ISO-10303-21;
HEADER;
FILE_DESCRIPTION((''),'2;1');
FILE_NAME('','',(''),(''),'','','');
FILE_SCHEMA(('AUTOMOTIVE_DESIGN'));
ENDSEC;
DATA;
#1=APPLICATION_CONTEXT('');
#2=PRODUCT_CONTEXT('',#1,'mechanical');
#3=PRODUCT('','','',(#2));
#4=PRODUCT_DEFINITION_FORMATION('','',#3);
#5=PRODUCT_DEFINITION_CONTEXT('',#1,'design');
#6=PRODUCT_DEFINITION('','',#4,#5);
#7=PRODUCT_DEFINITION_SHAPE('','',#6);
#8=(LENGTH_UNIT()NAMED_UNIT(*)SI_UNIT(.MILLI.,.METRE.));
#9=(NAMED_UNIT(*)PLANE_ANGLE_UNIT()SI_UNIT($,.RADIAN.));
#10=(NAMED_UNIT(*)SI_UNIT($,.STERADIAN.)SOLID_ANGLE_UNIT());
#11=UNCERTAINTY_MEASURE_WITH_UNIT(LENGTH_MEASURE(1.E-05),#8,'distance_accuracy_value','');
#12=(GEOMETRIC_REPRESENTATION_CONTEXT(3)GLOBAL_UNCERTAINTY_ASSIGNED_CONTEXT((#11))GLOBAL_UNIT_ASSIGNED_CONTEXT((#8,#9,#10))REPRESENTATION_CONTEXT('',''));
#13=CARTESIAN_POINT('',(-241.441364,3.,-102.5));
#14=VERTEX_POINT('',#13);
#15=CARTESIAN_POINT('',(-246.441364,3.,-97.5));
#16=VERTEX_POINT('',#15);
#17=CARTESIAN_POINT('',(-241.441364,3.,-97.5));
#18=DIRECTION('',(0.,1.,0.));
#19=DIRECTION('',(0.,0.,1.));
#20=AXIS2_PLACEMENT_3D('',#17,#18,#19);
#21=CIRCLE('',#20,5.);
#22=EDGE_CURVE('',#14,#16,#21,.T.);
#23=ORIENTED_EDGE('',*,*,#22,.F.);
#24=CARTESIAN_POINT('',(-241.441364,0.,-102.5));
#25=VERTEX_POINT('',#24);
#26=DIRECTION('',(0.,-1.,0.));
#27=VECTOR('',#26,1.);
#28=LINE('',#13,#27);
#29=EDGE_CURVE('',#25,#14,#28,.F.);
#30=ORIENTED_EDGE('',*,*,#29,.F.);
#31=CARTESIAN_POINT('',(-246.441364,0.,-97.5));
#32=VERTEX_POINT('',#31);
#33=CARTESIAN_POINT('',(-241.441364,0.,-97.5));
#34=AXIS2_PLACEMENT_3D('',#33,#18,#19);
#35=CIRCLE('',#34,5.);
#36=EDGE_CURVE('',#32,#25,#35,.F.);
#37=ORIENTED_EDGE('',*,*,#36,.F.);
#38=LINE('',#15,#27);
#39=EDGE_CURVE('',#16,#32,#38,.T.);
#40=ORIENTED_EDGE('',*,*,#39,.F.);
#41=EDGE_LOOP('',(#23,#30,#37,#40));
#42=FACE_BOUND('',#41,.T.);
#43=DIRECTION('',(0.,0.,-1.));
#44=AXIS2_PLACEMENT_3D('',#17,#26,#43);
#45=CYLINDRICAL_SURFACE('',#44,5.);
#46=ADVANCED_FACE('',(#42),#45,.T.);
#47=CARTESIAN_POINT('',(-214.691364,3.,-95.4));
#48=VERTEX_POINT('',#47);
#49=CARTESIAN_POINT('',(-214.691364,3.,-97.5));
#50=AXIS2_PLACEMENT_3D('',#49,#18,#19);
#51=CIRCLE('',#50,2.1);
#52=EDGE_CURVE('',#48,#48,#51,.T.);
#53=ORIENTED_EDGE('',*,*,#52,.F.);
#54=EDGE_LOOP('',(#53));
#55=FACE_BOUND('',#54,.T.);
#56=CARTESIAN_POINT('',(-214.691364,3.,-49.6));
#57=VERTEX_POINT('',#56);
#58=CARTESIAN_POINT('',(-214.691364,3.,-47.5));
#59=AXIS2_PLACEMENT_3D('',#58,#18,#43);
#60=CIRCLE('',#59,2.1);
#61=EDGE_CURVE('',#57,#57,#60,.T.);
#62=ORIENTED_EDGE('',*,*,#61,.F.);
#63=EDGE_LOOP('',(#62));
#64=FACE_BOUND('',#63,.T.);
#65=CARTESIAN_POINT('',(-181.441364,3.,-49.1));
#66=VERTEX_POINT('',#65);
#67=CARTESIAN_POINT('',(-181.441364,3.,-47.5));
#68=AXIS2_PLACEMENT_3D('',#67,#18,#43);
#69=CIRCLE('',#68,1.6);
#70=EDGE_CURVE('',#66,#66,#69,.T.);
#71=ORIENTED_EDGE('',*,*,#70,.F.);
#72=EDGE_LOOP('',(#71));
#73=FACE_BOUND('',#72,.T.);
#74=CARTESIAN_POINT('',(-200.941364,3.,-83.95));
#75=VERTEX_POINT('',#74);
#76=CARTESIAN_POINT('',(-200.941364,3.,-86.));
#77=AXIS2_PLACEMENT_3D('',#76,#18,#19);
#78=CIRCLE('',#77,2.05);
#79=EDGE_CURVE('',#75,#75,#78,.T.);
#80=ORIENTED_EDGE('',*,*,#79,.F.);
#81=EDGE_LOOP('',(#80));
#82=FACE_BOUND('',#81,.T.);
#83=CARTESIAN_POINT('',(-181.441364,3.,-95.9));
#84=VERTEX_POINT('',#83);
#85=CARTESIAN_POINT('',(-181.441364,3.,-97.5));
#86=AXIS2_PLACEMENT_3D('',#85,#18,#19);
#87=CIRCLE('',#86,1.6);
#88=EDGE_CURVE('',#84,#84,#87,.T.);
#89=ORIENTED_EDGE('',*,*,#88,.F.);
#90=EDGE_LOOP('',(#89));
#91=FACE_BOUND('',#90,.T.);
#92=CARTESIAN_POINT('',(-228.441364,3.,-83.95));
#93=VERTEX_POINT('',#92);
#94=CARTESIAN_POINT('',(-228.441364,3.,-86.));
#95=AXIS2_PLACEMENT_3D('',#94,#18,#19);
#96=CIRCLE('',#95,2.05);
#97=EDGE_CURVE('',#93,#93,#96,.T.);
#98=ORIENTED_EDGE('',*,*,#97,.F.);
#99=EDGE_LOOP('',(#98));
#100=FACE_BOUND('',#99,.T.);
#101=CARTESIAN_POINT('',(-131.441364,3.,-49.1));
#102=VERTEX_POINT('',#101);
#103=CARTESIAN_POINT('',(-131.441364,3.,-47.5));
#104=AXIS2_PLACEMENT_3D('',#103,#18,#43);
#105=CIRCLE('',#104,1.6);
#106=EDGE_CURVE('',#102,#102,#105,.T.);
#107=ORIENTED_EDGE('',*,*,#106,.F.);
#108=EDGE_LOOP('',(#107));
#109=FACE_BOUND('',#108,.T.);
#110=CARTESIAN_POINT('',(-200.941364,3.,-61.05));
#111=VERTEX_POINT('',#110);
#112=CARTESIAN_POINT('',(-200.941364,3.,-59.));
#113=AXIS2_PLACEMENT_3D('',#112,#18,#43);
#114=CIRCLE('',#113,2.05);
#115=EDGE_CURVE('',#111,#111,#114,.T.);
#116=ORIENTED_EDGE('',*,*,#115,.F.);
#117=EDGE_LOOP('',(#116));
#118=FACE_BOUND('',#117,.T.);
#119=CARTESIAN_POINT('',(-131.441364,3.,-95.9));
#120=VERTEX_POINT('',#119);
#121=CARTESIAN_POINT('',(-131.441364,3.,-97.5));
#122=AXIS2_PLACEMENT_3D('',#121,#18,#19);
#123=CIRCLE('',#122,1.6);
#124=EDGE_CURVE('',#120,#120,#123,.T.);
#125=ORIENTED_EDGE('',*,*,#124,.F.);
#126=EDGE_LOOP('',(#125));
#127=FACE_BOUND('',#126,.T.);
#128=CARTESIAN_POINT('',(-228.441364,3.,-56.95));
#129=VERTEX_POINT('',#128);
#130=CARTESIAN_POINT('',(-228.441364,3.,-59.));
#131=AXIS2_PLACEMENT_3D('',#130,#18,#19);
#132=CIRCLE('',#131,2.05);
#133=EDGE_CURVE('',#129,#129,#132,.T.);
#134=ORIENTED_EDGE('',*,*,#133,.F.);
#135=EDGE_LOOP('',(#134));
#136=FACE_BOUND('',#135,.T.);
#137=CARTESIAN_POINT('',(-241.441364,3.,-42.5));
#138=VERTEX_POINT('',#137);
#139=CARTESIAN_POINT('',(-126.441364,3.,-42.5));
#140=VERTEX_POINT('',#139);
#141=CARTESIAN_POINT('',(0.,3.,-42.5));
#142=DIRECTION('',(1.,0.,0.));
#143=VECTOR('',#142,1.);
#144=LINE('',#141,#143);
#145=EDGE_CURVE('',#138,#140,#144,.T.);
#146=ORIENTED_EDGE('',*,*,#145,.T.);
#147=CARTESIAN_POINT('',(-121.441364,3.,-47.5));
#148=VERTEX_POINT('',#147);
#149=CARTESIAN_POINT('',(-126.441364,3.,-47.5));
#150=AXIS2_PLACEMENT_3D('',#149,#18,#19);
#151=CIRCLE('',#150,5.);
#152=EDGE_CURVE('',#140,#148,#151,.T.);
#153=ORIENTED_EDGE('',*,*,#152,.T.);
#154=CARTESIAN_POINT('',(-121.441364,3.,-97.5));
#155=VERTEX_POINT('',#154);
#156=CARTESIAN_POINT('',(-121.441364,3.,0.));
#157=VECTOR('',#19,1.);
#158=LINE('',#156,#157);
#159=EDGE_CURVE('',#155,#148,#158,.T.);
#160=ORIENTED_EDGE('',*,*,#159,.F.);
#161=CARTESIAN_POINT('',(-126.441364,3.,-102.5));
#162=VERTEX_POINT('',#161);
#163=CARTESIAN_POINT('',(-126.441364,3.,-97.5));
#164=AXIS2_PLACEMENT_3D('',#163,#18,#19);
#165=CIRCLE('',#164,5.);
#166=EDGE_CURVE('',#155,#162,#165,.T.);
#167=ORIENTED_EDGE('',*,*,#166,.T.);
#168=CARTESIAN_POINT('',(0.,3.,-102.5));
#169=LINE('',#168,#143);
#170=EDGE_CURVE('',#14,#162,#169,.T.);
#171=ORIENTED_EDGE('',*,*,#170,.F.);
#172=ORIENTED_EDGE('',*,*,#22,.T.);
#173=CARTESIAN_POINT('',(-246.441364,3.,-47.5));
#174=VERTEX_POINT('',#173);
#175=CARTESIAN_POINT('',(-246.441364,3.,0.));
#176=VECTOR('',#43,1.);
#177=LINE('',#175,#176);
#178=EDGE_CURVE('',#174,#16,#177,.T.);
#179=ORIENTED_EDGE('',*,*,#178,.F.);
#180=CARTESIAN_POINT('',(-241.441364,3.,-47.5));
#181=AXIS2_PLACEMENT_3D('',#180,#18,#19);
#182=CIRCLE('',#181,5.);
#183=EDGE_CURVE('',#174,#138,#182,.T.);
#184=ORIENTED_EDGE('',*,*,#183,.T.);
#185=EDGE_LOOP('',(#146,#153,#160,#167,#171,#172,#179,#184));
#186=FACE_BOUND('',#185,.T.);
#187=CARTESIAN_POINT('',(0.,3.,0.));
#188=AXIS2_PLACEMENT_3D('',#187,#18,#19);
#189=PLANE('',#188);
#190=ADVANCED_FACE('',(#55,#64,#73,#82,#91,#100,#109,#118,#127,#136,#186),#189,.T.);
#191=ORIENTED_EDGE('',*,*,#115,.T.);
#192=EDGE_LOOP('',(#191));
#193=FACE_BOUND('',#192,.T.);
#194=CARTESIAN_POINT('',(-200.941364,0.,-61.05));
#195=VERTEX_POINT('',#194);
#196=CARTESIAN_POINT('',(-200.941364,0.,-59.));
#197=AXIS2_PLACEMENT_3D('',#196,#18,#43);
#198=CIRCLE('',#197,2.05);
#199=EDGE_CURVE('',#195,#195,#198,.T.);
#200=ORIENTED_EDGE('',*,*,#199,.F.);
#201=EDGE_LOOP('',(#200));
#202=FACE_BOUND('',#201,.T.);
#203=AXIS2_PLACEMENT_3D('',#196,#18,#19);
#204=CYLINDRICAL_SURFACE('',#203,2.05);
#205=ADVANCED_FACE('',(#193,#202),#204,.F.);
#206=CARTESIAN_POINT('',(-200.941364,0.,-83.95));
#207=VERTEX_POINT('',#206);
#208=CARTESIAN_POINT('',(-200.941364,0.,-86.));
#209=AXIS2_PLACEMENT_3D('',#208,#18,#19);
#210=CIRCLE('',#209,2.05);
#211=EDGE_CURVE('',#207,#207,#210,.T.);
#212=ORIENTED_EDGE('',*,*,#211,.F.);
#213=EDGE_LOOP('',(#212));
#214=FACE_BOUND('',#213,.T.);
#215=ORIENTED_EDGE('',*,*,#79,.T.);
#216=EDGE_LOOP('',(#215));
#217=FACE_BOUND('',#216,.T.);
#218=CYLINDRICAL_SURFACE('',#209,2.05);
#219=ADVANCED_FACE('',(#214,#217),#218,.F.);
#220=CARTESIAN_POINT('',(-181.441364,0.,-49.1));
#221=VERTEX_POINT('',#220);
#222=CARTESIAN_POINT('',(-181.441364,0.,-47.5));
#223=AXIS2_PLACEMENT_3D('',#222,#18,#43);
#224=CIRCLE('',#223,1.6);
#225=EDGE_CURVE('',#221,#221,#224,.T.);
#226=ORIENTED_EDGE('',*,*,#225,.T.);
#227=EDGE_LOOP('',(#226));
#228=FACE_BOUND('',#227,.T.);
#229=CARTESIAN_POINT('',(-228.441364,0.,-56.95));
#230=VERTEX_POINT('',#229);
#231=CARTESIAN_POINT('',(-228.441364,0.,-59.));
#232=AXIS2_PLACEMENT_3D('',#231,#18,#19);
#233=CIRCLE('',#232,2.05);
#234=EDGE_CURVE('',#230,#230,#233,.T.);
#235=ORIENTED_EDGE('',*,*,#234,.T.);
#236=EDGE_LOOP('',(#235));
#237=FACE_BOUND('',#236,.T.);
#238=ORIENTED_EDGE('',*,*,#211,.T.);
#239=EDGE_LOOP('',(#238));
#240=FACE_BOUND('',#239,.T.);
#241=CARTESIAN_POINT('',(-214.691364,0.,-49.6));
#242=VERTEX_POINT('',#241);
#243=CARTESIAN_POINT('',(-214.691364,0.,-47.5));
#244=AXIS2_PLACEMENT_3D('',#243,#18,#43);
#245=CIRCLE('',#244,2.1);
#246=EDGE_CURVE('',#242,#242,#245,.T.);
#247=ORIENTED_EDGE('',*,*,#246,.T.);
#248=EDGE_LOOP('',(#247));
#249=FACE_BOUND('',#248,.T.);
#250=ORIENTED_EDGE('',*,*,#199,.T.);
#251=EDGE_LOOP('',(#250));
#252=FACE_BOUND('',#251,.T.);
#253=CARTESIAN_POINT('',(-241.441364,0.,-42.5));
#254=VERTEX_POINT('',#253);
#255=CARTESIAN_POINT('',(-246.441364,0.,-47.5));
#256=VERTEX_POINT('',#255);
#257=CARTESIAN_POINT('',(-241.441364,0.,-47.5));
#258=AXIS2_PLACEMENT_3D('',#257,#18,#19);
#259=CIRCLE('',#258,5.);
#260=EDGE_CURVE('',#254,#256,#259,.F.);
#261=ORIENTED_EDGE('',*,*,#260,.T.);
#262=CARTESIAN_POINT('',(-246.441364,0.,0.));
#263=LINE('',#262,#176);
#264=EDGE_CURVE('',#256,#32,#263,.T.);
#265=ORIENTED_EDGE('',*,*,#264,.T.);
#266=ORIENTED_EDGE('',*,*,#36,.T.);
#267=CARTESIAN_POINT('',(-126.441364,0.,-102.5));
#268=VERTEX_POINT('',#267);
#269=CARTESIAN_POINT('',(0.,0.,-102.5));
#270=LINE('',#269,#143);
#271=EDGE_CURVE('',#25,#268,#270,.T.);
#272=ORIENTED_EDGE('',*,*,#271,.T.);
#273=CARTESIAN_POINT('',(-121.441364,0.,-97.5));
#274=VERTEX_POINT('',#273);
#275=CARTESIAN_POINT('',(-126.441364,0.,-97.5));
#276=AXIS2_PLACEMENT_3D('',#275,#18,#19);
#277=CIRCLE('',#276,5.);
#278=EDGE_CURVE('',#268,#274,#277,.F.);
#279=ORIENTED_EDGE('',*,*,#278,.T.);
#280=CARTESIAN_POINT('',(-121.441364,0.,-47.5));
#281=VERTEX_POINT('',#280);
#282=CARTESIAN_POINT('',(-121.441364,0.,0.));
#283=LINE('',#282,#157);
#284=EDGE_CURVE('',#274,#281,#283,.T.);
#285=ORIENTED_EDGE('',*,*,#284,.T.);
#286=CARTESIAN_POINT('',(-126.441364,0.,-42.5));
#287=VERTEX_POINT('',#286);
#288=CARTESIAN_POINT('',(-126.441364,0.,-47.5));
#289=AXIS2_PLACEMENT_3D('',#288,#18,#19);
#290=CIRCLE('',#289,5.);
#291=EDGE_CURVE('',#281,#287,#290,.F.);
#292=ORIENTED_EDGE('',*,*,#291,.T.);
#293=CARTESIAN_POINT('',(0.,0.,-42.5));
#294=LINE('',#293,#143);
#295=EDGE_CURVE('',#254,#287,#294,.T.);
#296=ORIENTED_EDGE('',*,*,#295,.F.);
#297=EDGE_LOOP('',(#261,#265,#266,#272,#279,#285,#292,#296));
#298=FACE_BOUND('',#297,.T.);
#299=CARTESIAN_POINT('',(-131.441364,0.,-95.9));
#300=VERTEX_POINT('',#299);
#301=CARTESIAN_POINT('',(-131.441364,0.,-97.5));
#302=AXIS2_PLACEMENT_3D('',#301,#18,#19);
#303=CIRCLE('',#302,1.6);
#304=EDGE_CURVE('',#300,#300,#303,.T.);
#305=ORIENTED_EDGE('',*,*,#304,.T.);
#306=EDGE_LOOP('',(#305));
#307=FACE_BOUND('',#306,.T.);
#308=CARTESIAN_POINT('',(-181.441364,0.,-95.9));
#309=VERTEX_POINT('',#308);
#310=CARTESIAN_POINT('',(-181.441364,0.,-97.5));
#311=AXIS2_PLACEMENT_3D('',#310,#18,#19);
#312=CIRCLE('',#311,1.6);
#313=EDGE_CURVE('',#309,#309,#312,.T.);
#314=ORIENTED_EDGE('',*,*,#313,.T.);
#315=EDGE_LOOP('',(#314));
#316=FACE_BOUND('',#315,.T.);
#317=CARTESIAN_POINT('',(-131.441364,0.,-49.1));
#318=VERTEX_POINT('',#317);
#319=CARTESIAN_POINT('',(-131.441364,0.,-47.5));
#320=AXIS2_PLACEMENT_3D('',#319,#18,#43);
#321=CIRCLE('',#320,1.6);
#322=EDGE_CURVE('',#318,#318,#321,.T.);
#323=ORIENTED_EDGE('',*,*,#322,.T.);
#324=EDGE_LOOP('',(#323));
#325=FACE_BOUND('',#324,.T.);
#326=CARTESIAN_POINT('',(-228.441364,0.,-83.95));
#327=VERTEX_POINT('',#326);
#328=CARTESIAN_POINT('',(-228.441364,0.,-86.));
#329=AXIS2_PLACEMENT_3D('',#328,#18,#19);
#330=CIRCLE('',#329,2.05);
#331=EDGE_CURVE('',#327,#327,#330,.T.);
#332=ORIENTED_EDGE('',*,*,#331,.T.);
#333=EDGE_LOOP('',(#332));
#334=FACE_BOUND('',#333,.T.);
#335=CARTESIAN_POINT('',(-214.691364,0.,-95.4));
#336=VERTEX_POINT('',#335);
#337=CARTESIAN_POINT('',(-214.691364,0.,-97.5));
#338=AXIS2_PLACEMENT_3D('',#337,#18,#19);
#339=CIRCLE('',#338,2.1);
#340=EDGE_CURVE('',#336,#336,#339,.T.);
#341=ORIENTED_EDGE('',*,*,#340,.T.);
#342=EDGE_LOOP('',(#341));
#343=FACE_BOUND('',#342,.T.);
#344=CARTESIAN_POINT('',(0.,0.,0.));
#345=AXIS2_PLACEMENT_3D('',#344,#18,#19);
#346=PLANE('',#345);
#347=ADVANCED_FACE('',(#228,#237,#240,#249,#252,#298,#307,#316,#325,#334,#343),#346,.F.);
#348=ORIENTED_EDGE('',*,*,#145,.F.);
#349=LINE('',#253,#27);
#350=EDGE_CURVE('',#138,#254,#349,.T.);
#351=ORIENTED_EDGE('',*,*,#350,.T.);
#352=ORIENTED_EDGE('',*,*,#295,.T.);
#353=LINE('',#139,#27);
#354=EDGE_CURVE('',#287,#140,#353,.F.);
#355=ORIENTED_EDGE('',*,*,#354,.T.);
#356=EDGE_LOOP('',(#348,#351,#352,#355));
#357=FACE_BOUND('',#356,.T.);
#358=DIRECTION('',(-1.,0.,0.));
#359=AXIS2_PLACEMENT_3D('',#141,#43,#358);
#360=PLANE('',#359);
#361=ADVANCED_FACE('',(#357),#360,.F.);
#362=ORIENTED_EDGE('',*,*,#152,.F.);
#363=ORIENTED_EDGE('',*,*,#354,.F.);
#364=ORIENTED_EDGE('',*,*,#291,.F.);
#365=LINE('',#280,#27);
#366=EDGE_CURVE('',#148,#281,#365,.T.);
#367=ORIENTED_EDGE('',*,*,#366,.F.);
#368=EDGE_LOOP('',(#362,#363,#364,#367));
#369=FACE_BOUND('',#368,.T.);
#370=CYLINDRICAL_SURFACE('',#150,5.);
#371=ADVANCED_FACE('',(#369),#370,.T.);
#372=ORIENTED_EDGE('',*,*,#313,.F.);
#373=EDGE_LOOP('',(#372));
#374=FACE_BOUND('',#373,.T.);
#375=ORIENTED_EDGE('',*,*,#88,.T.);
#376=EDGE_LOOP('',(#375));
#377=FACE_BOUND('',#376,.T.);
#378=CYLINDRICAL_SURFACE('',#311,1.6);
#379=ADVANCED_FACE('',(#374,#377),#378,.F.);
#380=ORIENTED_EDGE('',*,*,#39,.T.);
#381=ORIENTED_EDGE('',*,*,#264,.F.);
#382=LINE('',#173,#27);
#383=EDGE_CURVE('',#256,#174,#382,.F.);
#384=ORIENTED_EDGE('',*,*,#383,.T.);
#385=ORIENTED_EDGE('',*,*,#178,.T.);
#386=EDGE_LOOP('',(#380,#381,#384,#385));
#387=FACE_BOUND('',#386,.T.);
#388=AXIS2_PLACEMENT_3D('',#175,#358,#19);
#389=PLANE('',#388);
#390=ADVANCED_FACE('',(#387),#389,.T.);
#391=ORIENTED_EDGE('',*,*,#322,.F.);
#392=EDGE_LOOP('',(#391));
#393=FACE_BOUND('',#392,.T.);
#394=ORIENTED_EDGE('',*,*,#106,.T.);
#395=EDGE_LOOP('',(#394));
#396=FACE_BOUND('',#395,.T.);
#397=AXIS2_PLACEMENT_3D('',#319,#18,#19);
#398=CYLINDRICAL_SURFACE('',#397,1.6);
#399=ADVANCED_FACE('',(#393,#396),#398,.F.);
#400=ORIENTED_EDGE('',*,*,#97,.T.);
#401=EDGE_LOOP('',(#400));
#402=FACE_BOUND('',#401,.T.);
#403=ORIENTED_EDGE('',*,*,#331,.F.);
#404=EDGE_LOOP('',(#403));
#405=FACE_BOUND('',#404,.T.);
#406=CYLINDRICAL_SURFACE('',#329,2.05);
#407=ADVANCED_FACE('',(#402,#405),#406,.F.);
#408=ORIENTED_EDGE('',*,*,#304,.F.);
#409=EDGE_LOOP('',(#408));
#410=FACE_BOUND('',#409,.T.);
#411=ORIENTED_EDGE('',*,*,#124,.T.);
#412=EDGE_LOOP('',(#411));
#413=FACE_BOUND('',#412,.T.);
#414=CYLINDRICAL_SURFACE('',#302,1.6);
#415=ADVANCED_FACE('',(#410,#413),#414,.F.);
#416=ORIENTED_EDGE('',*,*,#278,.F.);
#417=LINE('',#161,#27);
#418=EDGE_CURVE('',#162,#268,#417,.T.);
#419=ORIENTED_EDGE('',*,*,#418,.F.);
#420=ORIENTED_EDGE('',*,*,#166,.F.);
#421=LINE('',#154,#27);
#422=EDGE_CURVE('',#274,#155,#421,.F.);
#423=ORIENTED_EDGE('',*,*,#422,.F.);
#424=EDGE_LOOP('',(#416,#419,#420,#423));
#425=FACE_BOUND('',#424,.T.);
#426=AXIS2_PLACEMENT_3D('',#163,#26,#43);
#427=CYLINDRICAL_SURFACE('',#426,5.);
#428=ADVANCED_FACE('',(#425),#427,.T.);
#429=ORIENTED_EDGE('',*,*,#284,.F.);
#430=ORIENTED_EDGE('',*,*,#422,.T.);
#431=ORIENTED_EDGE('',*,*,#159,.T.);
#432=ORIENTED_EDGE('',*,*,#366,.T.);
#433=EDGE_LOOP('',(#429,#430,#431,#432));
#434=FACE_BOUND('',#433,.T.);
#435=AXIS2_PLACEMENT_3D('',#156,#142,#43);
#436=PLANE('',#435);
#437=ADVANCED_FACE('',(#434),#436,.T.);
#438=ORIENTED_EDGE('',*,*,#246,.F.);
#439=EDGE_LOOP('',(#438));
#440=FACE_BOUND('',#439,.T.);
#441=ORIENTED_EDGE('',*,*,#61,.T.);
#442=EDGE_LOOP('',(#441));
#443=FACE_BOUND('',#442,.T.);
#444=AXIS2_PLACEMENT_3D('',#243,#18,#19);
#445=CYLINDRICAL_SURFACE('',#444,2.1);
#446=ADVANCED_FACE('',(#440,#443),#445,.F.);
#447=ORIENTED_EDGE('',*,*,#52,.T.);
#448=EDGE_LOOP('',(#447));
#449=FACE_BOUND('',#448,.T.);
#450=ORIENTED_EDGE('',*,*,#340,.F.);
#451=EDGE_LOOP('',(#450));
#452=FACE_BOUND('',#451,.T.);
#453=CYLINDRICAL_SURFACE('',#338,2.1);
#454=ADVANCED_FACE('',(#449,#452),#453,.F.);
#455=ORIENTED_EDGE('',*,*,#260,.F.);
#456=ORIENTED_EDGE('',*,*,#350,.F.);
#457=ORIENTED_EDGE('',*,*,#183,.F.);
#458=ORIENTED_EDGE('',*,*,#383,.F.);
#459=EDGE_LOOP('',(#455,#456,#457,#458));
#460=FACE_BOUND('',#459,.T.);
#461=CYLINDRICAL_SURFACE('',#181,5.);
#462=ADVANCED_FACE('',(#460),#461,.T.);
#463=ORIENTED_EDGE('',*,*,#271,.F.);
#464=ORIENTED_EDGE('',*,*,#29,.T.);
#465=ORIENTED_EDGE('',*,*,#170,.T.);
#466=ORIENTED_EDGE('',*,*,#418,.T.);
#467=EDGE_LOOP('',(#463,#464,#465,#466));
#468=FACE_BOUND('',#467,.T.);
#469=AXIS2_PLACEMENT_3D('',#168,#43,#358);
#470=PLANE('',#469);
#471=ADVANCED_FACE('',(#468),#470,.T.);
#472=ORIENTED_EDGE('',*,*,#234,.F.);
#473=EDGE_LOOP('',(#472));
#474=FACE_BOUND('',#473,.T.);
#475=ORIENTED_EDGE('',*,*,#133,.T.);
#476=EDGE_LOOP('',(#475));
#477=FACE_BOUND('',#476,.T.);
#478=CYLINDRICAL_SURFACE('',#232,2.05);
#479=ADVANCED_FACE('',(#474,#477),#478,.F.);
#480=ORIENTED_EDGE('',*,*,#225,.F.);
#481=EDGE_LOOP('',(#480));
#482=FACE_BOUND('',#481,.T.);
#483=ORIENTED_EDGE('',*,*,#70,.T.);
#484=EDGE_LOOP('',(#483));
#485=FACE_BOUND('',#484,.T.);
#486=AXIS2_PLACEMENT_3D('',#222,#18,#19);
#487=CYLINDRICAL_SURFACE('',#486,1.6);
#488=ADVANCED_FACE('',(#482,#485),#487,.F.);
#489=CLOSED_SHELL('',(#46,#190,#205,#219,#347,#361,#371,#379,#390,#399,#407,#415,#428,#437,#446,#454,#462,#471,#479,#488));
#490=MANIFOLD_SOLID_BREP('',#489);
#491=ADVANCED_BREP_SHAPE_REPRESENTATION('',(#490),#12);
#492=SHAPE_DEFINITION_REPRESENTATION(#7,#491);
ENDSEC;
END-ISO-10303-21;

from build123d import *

# Parameters (mm, degrees)
SKETCH_1_W          = 125
SKETCH_1_H          = 60
EXTRUDE_1_DEPTH     = 3
SKETCH_2_R          = 2.05
SKETCH_2_R_2        = 2.1
CUT_EXTRUDE_1_DEPTH = 267.924326413
SKETCH_3_R          = 1.6
CUT_EXTRUDE_2_DEPTH = 267.924326413
FILLET_1_R          = 5


with BuildPart() as part:
    # 草图1 → 凸台-拉伸1 (new body)
    with BuildSketch(Plane(origin=(0, 0, 0), x_dir=(1, 0, 0), z_dir=(0, 1, 0))):
        with Locations((-183.941364286, 72.5)):
            Rectangle(SKETCH_1_W, SKETCH_1_H)
    extrude(amount=EXTRUDE_1_DEPTH)

    # 草图2 → 切除-拉伸1 (cut, through all)
    with BuildSketch(Plane(origin=(0, 3, 0), x_dir=(1, 0, 0), z_dir=(0, 1, 0))):
        with Locations(Location((-228.441364286, 86, 0), (0, 0, 270))):
            Circle(SKETCH_2_R)
        with Locations(Location((-228.441364286, 59, 0), (0, 0, 270))):
            Circle(SKETCH_2_R)
        with Locations(Location((-200.941364286, 86, 0), (0, 0, 270))):
            Circle(SKETCH_2_R)
        with Locations(Location((-200.941364286, 59, 0), (0, 0, 90))):
            Circle(SKETCH_2_R)
        with Locations(Location((-214.691364286, 97.5, 0), (0, 0, 270))):
            Circle(SKETCH_2_R_2)
        with Locations(Location((-214.691364286, 47.5, 0), (0, 0, 90))):
            Circle(SKETCH_2_R_2)
    extrude(amount=-CUT_EXTRUDE_1_DEPTH, mode=Mode.SUBTRACT)

    # 草图3 → 切除-拉伸2 (cut, through all)
    with BuildSketch(Plane(origin=(0, 3, 0), x_dir=(1, 0, 0), z_dir=(0, 1, 0))):
        with Locations(Location((-181.441364286, 97.5, 0), (0, 0, 270))):
            Circle(SKETCH_3_R)
        with Locations(Location((-131.441364286, 97.5, 0), (0, 0, 270))):
            Circle(SKETCH_3_R)
        with Locations(Location((-131.441364286, 47.5, 0), (0, 0, 90))):
            Circle(SKETCH_3_R)
        with Locations(Location((-181.441364286, 47.5, 0), (0, 0, 90))):
            Circle(SKETCH_3_R)
    extrude(amount=-CUT_EXTRUDE_2_DEPTH, mode=Mode.SUBTRACT)

    # 圆角1
    fillet_1_edges = [part.edges().sort_by_distance(p)[0] for p in [
        (-121.441364286, 1.5, -42.5),
        (-246.441364286, 1.5, -42.5),
        (-246.441364286, 1.5, -102.5),
        (-121.441364286, 1.5, -102.5),
    ]]
    fillet(fillet_1_edges, radius=FILLET_1_R)


solid = part.part
